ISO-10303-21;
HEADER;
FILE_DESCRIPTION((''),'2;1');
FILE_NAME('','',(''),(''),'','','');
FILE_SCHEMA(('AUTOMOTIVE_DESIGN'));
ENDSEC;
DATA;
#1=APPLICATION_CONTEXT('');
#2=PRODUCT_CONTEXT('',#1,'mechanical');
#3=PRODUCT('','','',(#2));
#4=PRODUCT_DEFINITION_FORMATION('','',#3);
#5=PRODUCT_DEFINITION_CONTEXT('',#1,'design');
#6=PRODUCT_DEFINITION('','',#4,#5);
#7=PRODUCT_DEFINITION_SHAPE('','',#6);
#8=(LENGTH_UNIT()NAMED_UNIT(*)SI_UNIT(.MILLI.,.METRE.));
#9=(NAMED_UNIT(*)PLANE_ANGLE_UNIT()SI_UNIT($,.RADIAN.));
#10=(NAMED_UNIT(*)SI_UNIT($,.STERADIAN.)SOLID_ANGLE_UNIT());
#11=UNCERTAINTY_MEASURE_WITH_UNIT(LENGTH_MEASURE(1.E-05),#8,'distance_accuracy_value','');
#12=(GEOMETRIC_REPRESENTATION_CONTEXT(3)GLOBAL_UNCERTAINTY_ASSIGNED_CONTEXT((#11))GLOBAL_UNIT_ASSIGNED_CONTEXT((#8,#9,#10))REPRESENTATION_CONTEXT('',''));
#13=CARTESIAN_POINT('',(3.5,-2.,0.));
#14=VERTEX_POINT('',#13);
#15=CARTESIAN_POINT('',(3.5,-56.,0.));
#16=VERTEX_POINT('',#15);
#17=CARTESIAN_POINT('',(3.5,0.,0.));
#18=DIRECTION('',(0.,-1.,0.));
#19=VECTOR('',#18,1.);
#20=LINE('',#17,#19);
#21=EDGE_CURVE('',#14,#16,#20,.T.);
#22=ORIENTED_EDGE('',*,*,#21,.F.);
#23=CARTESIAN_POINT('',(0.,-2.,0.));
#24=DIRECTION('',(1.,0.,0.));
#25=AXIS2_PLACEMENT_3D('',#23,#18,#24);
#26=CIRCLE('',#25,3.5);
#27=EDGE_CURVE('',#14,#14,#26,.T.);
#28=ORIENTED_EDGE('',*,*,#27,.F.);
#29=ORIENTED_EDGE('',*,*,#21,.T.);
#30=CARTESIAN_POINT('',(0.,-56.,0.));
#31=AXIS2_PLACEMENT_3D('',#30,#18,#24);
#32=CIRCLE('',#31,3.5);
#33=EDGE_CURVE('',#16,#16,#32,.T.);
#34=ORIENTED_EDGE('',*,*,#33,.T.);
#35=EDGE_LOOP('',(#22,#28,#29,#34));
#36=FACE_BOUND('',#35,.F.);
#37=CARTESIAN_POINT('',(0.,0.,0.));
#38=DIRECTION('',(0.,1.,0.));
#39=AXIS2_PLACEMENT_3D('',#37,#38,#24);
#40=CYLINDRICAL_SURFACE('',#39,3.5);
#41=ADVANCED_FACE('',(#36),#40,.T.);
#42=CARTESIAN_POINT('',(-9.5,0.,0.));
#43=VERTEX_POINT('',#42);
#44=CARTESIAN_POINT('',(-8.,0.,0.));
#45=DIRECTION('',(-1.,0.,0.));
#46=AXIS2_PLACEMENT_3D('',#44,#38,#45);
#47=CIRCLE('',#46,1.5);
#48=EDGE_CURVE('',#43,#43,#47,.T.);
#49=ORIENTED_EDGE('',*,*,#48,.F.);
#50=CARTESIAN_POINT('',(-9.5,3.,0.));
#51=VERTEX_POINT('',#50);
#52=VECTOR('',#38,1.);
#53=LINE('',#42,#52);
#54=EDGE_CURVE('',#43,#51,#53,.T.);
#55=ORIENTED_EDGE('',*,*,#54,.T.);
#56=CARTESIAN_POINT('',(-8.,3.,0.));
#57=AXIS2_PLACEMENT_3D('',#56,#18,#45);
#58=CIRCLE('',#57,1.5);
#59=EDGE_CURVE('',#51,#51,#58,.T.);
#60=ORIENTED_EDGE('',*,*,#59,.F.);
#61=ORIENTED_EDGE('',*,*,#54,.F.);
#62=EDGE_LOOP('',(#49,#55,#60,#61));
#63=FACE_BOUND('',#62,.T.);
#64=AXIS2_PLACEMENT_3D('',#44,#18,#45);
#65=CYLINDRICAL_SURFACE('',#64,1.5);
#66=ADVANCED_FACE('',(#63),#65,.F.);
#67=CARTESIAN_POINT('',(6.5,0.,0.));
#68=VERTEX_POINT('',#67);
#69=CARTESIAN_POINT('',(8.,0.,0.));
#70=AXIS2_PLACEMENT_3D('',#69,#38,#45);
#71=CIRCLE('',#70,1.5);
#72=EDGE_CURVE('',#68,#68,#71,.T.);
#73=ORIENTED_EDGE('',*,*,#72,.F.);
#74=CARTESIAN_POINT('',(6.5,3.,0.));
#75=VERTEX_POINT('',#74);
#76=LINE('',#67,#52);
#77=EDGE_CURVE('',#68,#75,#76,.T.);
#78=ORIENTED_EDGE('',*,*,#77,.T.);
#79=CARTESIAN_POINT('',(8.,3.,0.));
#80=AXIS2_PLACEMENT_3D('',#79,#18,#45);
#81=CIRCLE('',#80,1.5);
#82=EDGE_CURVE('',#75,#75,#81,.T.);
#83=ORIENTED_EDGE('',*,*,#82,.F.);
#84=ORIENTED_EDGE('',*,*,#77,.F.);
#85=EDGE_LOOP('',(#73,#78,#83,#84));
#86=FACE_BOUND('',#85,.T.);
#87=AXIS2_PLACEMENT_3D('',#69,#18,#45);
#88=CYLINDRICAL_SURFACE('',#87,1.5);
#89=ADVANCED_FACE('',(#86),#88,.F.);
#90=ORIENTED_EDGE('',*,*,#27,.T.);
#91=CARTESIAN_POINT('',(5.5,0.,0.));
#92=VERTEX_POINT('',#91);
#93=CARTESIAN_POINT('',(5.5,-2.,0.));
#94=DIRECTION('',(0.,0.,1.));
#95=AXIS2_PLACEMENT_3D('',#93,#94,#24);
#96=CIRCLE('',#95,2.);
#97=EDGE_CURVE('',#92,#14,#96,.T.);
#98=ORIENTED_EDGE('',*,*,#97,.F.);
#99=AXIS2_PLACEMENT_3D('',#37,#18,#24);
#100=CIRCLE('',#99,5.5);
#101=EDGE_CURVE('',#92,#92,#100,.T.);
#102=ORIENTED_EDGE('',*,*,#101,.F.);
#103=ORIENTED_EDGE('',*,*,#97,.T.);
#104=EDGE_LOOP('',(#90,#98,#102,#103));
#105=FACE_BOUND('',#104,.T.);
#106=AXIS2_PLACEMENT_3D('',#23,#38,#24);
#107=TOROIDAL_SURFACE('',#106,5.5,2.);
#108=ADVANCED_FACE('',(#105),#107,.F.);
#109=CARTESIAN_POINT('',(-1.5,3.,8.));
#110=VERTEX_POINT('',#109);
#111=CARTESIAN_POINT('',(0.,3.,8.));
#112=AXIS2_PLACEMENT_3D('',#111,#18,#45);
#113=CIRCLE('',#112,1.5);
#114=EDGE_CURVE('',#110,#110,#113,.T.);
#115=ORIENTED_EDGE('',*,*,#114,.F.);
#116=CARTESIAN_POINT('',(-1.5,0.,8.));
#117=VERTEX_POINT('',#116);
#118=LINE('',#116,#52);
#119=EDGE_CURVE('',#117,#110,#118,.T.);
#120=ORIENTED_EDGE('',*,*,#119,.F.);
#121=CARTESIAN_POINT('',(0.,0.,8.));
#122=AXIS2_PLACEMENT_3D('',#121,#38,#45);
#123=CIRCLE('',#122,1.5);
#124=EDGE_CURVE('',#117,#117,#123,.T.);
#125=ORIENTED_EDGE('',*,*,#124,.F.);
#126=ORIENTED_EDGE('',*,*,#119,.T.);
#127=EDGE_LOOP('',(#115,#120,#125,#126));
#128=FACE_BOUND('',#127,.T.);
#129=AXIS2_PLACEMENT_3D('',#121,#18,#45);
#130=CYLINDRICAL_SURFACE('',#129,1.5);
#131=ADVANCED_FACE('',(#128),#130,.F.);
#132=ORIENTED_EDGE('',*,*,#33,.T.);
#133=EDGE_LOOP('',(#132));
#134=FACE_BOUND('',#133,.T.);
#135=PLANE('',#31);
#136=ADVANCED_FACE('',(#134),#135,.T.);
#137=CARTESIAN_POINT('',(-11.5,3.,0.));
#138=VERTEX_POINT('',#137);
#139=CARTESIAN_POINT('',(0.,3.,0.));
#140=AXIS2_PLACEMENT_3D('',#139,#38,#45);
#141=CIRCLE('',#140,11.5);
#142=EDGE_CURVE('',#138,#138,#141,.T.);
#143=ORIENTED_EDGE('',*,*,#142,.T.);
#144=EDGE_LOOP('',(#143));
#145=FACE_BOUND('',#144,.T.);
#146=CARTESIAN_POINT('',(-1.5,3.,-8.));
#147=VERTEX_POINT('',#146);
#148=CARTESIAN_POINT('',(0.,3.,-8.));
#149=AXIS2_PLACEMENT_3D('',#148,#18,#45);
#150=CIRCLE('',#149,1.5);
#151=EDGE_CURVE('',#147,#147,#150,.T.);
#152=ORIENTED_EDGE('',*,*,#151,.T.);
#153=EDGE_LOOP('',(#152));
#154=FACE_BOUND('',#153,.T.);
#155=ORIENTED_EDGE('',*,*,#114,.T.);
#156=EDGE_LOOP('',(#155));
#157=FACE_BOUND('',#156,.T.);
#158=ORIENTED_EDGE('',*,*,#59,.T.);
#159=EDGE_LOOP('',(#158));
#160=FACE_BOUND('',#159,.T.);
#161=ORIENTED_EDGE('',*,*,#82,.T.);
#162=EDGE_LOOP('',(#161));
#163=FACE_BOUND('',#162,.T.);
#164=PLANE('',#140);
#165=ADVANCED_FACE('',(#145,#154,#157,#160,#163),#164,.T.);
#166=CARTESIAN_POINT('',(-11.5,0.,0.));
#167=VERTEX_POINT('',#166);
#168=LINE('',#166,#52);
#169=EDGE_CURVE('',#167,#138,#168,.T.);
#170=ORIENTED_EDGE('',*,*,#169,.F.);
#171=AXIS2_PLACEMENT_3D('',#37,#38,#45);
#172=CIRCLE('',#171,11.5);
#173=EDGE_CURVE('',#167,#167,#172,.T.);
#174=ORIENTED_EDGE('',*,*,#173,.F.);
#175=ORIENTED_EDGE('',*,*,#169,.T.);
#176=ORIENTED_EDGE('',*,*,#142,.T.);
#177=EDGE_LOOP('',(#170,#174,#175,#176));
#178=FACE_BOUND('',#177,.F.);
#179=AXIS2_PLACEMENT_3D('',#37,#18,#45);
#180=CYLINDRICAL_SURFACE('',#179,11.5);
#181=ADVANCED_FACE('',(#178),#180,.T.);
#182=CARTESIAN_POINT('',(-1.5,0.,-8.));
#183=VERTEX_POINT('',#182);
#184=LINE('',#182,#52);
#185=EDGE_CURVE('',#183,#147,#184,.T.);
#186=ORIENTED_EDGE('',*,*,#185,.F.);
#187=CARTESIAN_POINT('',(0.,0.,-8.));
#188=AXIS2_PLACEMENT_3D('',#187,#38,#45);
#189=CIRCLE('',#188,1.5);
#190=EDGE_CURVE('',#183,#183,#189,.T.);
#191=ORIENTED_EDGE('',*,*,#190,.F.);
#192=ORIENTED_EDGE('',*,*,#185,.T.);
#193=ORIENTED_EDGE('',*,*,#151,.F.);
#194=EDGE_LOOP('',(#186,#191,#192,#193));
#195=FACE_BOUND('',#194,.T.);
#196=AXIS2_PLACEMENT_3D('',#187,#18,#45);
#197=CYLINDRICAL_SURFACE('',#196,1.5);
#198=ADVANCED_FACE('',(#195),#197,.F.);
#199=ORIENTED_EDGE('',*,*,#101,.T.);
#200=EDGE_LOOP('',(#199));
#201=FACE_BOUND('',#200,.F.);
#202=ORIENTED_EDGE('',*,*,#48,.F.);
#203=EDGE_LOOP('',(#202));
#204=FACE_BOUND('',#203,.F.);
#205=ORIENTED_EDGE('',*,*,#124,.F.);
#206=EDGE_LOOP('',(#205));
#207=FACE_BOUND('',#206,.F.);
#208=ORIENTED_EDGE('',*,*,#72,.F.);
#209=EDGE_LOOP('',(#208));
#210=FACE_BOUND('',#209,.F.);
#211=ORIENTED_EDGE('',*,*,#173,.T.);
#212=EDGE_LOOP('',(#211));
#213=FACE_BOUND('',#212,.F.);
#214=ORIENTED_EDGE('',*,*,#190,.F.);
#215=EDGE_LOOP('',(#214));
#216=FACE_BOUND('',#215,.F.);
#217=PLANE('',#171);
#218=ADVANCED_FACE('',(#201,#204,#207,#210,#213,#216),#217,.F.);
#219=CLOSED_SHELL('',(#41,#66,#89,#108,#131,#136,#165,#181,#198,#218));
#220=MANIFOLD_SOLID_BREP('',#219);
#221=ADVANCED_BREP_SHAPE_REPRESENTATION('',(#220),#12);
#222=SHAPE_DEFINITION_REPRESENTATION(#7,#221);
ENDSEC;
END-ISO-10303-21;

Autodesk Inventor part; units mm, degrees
ref_plane "YZ Plane" through (0, 0, 0) normal (1, 0, 0) x (0, 1, 0)
ref_plane "XZ Plane" through (0, 0, 0) normal (0, 1, 0) x (-1, 0, 0)
ref_plane "XY Plane" through (0, 0, 0) normal (0, 0, 1) x (1, 0, 0)
sketch "Sketch1" plane through (0, 0, 0) normal (0, 1, 0) x (-1, 0, 0)
  circle A0 centre (0, 0) radius 11.5
  circle A1 centre (0, 0) radius 8
  circle A2 centre (0, -8) radius 1.5
  circle A3 centre (8, 0) radius 1.5
  circle A4 centre (0, 8) radius 1.5
  circle A5 centre (-8, 0) radius 1.5
  dimension "d0" = 23
  dimension "d1" = 16
  dimension "d2" = 3
  dimension "d3" = 3
  dimension "d4" = 3
  dimension "d5" = 3
extrude "Extrusion1" add sketch "Sketch1" along normal blind 3 contours A0 | A3 A1 A2 A5 A4
sketch "Sketch2" plane through (0, 0, 0) normal (0, -1, 0) x (1, 0, 0)
  circle A0 centre (0, 0) radius 3.5
  dimension "d8" = 7
extrude "Extrusion2" add sketch "Sketch2" along normal blind 56
fillet "Fillet2" radius 2 1 edges at (-3.5, 0, 0)
sketch "Sketch4" plane through (0, 0, 0) normal (0, -1, 0) x (1, 0, 0)
  circle A0 centre (0, 0) radius 3.5 projected
  circle A1 centre (0, 0) radius 11.5 projected
  circle A2 centre (8, 0) radius 1.5 projected
  circle A3 centre (0, -8) radius 1.5 projected
  circle A4 centre (-8, 0) radius 1.5 projected
  circle A5 centre (0, 8) radius 1.5 projected
properties part number "landing_gear"
